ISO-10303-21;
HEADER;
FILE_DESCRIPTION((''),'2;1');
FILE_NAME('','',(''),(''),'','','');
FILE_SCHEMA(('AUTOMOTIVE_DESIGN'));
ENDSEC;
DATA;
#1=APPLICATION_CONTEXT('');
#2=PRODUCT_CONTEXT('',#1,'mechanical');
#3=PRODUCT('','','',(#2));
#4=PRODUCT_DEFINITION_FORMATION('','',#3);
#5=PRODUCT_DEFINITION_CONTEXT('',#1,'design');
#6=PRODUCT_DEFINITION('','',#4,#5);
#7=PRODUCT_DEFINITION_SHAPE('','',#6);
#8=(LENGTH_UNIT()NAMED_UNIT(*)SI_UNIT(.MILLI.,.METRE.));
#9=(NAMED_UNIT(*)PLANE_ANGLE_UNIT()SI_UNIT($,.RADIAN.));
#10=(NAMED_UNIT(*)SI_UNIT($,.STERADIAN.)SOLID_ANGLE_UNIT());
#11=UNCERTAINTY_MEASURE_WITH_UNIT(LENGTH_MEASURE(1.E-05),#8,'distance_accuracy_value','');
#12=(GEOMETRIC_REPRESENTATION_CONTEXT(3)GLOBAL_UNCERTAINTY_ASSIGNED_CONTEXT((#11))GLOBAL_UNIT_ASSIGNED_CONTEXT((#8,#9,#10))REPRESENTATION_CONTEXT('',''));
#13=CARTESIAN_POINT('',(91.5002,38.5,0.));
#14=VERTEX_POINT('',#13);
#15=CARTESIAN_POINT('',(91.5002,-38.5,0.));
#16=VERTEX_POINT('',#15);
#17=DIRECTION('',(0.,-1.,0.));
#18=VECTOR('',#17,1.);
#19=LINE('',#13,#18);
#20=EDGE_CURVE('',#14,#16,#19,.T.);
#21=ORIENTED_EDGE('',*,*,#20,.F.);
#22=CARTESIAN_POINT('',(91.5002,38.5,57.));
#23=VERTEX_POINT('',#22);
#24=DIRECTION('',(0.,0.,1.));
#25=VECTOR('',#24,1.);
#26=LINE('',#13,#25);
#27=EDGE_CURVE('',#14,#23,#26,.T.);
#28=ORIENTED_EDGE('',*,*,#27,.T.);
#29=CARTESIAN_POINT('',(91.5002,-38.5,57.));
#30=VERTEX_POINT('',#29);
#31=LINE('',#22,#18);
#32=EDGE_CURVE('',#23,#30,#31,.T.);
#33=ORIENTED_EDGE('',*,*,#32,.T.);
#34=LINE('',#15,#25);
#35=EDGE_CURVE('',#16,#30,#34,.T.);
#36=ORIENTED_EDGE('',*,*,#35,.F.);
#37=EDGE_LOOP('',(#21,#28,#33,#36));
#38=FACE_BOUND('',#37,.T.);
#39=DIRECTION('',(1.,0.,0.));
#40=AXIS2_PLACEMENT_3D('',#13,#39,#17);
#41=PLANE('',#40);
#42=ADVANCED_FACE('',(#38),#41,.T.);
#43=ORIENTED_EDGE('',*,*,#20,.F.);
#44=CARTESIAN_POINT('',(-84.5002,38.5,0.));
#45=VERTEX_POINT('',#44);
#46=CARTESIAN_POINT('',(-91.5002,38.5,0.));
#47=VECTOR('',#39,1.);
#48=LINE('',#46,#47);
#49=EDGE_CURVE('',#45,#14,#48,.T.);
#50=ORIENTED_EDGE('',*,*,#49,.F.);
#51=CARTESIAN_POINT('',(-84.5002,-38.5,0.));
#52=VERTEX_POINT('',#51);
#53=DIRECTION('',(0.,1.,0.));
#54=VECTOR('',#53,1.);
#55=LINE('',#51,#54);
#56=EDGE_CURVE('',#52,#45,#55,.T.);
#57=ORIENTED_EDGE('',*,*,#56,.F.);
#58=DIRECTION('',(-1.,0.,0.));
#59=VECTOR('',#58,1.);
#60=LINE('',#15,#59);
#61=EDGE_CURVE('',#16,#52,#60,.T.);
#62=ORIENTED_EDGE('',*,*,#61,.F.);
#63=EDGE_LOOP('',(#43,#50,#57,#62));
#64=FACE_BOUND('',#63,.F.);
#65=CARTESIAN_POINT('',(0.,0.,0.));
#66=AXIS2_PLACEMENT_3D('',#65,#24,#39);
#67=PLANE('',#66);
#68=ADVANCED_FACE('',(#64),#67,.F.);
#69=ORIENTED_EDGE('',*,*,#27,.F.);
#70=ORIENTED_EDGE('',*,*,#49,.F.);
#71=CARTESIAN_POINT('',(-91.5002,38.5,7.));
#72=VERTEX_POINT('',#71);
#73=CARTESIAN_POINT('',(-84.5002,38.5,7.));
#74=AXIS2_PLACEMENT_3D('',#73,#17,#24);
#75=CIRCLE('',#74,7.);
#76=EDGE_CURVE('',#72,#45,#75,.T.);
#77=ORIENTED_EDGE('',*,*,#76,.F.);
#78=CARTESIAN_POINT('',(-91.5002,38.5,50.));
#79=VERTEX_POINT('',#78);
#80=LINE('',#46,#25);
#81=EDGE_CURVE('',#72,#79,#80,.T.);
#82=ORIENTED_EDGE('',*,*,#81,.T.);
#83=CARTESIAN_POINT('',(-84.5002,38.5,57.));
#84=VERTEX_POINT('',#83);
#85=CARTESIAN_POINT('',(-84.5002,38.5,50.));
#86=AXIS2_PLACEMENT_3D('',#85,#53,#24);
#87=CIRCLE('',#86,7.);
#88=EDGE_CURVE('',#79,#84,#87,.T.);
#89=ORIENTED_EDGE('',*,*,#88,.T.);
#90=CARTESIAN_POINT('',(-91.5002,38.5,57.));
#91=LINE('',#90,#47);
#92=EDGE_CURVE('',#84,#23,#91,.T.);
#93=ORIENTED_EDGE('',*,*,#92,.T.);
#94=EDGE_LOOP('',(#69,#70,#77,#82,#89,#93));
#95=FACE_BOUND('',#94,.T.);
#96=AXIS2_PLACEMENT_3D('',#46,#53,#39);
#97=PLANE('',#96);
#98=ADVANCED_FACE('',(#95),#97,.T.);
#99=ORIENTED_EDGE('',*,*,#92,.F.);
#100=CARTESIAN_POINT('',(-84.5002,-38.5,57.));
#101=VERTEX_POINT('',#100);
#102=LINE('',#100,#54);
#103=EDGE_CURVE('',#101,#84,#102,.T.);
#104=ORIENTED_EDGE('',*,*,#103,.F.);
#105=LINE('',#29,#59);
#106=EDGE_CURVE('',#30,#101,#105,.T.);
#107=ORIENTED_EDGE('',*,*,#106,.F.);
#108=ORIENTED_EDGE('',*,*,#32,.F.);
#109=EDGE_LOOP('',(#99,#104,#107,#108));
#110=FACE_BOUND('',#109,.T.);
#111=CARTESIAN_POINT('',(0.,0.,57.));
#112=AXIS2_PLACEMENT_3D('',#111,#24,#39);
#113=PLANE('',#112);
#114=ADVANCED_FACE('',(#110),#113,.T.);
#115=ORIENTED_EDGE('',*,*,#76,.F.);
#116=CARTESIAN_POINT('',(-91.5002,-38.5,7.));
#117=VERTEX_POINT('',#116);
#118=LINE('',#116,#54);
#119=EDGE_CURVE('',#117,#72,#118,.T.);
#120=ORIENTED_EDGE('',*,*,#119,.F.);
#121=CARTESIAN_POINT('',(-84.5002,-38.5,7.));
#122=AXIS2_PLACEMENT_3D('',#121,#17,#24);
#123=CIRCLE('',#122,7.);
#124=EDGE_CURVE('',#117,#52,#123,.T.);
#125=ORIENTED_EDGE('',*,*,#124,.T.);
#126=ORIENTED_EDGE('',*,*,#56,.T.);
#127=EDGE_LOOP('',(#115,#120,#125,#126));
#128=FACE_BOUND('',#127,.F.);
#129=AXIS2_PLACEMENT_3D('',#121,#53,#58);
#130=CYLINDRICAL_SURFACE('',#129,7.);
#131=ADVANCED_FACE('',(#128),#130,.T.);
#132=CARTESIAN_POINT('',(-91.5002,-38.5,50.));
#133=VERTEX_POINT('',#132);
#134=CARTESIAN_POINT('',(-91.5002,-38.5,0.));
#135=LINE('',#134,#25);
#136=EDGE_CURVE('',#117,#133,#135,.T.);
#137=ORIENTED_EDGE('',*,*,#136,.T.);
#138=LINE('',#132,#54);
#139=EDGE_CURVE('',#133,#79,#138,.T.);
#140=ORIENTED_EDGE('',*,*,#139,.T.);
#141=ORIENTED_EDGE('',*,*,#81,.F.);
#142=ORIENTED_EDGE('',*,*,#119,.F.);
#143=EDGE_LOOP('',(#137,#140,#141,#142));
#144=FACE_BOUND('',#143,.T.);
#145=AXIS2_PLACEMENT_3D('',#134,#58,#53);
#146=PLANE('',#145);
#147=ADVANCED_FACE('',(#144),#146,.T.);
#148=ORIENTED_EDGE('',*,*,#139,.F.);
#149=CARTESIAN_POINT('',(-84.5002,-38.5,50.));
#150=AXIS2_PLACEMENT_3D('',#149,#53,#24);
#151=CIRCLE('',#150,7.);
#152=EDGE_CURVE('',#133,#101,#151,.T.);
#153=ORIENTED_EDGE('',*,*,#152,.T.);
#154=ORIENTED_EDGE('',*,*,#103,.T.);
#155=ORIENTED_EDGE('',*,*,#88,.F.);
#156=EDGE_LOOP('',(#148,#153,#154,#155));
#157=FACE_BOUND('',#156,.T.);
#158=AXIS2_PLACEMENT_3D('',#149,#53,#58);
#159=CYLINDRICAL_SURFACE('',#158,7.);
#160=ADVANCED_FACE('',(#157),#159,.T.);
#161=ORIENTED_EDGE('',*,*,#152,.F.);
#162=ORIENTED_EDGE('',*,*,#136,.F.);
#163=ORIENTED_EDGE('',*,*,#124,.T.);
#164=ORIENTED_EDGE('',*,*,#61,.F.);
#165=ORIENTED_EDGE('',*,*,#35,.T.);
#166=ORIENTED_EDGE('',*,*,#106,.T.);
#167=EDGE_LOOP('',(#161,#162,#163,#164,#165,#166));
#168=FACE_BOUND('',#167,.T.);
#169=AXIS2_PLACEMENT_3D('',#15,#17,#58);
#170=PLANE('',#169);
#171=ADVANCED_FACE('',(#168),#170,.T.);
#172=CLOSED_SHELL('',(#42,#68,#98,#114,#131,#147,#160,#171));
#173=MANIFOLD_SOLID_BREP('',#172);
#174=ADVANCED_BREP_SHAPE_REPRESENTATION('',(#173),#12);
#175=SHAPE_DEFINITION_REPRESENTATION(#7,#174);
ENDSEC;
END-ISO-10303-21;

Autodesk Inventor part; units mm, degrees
ref_plane "YZ Plane" through (0, 0, 0) normal (1, 0, 0) x (0, 1, 0)
ref_plane "XZ Plane" through (0, 0, 0) normal (0, 1, 0) x (-1, 0, 0)
ref_plane "XY Plane" through (0, 0, 0) normal (0, 0, 1) x (1, 0, 0)
sketch "Sketch1" plane through (0, 0, 0) normal (0, 0, 1) x (1, 0, 0)
  point P0 (0, 0)
sketch "Sketch2" plane through (0, 0, 0) normal (0, 0, 1) x (1, 0, 0)
  line L0 (-91.5002, 38.5) -> (91.5002, 38.5)
  line L1 (91.5002, 38.5) -> (91.5002, -38.5)
  line L2 (91.5002, -38.5) -> (-91.5002, -38.5)
  line L3 (-91.5002, -38.5) -> (-91.5002, 38.5)
  line L4 (-91.5002, 38.5) -> (91.5002, -38.5) construction
  line L5 (91.5002, 38.5) -> (-91.5002, -38.5) construction
  point P0 (0, 0)
extrude "Extrusion1" add sketch "Sketch2" along normal blind 57
fillet "Fillet1" radius 7 2 edges at (-91.5002, 0, 57) (-91.5002, 0, 0)
properties part number "turnigy_graphene_12Ah"
